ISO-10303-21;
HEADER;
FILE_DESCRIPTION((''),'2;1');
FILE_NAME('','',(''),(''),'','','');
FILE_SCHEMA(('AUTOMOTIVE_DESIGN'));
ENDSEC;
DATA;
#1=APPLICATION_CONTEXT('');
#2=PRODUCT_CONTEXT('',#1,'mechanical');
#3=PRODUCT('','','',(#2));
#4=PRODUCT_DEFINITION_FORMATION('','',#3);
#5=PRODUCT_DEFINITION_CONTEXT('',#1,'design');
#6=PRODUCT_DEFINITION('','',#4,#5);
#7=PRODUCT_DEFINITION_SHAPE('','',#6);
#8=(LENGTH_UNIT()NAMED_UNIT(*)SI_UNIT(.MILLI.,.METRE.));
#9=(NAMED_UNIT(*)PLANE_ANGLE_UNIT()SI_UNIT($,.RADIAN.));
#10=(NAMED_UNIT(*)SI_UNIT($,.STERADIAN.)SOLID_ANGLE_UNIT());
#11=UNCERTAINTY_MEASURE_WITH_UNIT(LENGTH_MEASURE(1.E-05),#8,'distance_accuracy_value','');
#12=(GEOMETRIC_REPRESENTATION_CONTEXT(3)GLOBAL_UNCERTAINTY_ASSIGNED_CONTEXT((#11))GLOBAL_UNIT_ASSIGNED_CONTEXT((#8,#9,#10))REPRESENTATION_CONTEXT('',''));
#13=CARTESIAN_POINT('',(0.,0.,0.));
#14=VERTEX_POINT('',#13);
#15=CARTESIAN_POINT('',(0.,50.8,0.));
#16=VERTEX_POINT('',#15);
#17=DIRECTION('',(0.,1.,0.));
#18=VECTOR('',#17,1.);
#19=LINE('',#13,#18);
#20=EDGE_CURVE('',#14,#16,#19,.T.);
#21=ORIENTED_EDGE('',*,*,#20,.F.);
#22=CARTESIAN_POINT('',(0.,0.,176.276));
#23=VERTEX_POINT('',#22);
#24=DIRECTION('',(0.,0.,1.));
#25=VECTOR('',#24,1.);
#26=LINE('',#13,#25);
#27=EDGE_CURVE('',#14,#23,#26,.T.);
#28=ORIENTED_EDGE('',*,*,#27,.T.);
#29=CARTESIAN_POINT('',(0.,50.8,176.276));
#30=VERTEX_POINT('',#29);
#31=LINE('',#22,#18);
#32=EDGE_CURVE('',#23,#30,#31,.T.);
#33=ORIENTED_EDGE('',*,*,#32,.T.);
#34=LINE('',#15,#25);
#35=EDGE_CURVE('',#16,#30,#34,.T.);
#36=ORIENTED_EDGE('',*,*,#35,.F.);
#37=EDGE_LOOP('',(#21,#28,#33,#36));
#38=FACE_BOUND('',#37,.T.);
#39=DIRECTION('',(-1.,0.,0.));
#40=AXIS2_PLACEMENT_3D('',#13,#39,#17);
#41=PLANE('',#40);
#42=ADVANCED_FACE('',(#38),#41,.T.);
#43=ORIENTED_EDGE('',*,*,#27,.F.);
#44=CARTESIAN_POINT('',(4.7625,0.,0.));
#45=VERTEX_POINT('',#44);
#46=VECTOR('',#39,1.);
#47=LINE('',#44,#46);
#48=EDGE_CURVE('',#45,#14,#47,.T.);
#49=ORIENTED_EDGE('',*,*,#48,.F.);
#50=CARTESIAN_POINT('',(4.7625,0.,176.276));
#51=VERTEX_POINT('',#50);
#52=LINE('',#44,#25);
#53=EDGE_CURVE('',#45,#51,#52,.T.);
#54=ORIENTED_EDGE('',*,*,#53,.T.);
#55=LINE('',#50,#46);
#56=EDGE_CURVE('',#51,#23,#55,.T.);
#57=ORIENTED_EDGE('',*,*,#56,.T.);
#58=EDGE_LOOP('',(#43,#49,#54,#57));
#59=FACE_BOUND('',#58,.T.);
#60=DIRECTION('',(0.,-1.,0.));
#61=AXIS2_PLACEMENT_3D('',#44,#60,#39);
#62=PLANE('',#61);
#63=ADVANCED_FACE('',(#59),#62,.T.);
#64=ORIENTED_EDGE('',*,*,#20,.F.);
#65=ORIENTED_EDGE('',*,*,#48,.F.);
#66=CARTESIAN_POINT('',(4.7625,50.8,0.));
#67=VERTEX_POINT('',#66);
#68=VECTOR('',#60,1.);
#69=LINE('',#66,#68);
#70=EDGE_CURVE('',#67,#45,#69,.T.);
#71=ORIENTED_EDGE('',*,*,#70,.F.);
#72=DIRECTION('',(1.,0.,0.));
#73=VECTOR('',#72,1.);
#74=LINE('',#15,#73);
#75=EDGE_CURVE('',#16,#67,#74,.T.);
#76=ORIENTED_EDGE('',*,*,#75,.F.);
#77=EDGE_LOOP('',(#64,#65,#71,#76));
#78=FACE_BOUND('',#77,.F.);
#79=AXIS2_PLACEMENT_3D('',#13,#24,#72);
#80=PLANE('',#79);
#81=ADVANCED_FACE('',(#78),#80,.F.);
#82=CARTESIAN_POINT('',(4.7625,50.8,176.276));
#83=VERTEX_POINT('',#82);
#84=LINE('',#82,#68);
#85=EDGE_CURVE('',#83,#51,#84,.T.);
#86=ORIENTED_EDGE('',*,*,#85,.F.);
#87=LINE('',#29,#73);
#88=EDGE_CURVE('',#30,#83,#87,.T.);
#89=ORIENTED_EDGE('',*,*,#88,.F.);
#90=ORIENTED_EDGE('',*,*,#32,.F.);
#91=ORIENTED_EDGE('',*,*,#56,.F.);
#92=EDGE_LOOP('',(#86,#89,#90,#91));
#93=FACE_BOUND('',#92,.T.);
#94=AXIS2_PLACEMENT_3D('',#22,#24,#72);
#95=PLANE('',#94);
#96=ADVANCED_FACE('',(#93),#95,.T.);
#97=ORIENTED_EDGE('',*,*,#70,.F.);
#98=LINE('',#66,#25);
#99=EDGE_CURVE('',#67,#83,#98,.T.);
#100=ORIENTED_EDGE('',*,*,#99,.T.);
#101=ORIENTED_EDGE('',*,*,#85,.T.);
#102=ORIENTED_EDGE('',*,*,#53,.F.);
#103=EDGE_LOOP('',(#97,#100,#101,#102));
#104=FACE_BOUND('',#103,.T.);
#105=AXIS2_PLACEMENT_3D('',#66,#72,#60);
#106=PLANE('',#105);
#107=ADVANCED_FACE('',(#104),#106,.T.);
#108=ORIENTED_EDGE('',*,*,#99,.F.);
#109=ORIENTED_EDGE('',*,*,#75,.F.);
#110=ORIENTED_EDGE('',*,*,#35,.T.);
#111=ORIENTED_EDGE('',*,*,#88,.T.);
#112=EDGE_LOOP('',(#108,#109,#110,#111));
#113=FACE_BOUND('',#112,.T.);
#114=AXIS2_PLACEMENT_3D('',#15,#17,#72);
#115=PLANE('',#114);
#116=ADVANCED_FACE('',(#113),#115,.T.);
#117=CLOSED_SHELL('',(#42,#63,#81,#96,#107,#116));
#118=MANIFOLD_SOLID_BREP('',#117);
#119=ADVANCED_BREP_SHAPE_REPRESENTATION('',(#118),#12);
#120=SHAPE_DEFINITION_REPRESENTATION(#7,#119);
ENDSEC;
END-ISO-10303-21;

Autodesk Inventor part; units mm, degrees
ref_plane "YZ Plane" through (0, 0, 0) normal (1, 0, 0) x (0, 1, 0)
ref_plane "XZ Plane" through (0, 0, 0) normal (0, 1, 0) x (-1, 0, 0)
ref_plane "XY Plane" through (0, 0, 0) normal (0, 0, 1) x (1, 0, 0)
sketch "Sketch1" plane through (0, 0, 0) normal (0, 0, 1) x (1, 0, 0)
  line L0 (0, 50.8) -> (4.7625, 50.8)
  line L1 (4.7625, 50.8) -> (4.7625, 0)
  line L2 (4.7625, 0) -> (0, 0)
  line L3 (0, 0) -> (0, 50.8)
  dimension "d0" = 4.7625
  dimension "d1" = 50.8
extrude "Extrusion1" add sketch "Sketch1" along normal blind 176.276
properties part number "BOXC_F6"
